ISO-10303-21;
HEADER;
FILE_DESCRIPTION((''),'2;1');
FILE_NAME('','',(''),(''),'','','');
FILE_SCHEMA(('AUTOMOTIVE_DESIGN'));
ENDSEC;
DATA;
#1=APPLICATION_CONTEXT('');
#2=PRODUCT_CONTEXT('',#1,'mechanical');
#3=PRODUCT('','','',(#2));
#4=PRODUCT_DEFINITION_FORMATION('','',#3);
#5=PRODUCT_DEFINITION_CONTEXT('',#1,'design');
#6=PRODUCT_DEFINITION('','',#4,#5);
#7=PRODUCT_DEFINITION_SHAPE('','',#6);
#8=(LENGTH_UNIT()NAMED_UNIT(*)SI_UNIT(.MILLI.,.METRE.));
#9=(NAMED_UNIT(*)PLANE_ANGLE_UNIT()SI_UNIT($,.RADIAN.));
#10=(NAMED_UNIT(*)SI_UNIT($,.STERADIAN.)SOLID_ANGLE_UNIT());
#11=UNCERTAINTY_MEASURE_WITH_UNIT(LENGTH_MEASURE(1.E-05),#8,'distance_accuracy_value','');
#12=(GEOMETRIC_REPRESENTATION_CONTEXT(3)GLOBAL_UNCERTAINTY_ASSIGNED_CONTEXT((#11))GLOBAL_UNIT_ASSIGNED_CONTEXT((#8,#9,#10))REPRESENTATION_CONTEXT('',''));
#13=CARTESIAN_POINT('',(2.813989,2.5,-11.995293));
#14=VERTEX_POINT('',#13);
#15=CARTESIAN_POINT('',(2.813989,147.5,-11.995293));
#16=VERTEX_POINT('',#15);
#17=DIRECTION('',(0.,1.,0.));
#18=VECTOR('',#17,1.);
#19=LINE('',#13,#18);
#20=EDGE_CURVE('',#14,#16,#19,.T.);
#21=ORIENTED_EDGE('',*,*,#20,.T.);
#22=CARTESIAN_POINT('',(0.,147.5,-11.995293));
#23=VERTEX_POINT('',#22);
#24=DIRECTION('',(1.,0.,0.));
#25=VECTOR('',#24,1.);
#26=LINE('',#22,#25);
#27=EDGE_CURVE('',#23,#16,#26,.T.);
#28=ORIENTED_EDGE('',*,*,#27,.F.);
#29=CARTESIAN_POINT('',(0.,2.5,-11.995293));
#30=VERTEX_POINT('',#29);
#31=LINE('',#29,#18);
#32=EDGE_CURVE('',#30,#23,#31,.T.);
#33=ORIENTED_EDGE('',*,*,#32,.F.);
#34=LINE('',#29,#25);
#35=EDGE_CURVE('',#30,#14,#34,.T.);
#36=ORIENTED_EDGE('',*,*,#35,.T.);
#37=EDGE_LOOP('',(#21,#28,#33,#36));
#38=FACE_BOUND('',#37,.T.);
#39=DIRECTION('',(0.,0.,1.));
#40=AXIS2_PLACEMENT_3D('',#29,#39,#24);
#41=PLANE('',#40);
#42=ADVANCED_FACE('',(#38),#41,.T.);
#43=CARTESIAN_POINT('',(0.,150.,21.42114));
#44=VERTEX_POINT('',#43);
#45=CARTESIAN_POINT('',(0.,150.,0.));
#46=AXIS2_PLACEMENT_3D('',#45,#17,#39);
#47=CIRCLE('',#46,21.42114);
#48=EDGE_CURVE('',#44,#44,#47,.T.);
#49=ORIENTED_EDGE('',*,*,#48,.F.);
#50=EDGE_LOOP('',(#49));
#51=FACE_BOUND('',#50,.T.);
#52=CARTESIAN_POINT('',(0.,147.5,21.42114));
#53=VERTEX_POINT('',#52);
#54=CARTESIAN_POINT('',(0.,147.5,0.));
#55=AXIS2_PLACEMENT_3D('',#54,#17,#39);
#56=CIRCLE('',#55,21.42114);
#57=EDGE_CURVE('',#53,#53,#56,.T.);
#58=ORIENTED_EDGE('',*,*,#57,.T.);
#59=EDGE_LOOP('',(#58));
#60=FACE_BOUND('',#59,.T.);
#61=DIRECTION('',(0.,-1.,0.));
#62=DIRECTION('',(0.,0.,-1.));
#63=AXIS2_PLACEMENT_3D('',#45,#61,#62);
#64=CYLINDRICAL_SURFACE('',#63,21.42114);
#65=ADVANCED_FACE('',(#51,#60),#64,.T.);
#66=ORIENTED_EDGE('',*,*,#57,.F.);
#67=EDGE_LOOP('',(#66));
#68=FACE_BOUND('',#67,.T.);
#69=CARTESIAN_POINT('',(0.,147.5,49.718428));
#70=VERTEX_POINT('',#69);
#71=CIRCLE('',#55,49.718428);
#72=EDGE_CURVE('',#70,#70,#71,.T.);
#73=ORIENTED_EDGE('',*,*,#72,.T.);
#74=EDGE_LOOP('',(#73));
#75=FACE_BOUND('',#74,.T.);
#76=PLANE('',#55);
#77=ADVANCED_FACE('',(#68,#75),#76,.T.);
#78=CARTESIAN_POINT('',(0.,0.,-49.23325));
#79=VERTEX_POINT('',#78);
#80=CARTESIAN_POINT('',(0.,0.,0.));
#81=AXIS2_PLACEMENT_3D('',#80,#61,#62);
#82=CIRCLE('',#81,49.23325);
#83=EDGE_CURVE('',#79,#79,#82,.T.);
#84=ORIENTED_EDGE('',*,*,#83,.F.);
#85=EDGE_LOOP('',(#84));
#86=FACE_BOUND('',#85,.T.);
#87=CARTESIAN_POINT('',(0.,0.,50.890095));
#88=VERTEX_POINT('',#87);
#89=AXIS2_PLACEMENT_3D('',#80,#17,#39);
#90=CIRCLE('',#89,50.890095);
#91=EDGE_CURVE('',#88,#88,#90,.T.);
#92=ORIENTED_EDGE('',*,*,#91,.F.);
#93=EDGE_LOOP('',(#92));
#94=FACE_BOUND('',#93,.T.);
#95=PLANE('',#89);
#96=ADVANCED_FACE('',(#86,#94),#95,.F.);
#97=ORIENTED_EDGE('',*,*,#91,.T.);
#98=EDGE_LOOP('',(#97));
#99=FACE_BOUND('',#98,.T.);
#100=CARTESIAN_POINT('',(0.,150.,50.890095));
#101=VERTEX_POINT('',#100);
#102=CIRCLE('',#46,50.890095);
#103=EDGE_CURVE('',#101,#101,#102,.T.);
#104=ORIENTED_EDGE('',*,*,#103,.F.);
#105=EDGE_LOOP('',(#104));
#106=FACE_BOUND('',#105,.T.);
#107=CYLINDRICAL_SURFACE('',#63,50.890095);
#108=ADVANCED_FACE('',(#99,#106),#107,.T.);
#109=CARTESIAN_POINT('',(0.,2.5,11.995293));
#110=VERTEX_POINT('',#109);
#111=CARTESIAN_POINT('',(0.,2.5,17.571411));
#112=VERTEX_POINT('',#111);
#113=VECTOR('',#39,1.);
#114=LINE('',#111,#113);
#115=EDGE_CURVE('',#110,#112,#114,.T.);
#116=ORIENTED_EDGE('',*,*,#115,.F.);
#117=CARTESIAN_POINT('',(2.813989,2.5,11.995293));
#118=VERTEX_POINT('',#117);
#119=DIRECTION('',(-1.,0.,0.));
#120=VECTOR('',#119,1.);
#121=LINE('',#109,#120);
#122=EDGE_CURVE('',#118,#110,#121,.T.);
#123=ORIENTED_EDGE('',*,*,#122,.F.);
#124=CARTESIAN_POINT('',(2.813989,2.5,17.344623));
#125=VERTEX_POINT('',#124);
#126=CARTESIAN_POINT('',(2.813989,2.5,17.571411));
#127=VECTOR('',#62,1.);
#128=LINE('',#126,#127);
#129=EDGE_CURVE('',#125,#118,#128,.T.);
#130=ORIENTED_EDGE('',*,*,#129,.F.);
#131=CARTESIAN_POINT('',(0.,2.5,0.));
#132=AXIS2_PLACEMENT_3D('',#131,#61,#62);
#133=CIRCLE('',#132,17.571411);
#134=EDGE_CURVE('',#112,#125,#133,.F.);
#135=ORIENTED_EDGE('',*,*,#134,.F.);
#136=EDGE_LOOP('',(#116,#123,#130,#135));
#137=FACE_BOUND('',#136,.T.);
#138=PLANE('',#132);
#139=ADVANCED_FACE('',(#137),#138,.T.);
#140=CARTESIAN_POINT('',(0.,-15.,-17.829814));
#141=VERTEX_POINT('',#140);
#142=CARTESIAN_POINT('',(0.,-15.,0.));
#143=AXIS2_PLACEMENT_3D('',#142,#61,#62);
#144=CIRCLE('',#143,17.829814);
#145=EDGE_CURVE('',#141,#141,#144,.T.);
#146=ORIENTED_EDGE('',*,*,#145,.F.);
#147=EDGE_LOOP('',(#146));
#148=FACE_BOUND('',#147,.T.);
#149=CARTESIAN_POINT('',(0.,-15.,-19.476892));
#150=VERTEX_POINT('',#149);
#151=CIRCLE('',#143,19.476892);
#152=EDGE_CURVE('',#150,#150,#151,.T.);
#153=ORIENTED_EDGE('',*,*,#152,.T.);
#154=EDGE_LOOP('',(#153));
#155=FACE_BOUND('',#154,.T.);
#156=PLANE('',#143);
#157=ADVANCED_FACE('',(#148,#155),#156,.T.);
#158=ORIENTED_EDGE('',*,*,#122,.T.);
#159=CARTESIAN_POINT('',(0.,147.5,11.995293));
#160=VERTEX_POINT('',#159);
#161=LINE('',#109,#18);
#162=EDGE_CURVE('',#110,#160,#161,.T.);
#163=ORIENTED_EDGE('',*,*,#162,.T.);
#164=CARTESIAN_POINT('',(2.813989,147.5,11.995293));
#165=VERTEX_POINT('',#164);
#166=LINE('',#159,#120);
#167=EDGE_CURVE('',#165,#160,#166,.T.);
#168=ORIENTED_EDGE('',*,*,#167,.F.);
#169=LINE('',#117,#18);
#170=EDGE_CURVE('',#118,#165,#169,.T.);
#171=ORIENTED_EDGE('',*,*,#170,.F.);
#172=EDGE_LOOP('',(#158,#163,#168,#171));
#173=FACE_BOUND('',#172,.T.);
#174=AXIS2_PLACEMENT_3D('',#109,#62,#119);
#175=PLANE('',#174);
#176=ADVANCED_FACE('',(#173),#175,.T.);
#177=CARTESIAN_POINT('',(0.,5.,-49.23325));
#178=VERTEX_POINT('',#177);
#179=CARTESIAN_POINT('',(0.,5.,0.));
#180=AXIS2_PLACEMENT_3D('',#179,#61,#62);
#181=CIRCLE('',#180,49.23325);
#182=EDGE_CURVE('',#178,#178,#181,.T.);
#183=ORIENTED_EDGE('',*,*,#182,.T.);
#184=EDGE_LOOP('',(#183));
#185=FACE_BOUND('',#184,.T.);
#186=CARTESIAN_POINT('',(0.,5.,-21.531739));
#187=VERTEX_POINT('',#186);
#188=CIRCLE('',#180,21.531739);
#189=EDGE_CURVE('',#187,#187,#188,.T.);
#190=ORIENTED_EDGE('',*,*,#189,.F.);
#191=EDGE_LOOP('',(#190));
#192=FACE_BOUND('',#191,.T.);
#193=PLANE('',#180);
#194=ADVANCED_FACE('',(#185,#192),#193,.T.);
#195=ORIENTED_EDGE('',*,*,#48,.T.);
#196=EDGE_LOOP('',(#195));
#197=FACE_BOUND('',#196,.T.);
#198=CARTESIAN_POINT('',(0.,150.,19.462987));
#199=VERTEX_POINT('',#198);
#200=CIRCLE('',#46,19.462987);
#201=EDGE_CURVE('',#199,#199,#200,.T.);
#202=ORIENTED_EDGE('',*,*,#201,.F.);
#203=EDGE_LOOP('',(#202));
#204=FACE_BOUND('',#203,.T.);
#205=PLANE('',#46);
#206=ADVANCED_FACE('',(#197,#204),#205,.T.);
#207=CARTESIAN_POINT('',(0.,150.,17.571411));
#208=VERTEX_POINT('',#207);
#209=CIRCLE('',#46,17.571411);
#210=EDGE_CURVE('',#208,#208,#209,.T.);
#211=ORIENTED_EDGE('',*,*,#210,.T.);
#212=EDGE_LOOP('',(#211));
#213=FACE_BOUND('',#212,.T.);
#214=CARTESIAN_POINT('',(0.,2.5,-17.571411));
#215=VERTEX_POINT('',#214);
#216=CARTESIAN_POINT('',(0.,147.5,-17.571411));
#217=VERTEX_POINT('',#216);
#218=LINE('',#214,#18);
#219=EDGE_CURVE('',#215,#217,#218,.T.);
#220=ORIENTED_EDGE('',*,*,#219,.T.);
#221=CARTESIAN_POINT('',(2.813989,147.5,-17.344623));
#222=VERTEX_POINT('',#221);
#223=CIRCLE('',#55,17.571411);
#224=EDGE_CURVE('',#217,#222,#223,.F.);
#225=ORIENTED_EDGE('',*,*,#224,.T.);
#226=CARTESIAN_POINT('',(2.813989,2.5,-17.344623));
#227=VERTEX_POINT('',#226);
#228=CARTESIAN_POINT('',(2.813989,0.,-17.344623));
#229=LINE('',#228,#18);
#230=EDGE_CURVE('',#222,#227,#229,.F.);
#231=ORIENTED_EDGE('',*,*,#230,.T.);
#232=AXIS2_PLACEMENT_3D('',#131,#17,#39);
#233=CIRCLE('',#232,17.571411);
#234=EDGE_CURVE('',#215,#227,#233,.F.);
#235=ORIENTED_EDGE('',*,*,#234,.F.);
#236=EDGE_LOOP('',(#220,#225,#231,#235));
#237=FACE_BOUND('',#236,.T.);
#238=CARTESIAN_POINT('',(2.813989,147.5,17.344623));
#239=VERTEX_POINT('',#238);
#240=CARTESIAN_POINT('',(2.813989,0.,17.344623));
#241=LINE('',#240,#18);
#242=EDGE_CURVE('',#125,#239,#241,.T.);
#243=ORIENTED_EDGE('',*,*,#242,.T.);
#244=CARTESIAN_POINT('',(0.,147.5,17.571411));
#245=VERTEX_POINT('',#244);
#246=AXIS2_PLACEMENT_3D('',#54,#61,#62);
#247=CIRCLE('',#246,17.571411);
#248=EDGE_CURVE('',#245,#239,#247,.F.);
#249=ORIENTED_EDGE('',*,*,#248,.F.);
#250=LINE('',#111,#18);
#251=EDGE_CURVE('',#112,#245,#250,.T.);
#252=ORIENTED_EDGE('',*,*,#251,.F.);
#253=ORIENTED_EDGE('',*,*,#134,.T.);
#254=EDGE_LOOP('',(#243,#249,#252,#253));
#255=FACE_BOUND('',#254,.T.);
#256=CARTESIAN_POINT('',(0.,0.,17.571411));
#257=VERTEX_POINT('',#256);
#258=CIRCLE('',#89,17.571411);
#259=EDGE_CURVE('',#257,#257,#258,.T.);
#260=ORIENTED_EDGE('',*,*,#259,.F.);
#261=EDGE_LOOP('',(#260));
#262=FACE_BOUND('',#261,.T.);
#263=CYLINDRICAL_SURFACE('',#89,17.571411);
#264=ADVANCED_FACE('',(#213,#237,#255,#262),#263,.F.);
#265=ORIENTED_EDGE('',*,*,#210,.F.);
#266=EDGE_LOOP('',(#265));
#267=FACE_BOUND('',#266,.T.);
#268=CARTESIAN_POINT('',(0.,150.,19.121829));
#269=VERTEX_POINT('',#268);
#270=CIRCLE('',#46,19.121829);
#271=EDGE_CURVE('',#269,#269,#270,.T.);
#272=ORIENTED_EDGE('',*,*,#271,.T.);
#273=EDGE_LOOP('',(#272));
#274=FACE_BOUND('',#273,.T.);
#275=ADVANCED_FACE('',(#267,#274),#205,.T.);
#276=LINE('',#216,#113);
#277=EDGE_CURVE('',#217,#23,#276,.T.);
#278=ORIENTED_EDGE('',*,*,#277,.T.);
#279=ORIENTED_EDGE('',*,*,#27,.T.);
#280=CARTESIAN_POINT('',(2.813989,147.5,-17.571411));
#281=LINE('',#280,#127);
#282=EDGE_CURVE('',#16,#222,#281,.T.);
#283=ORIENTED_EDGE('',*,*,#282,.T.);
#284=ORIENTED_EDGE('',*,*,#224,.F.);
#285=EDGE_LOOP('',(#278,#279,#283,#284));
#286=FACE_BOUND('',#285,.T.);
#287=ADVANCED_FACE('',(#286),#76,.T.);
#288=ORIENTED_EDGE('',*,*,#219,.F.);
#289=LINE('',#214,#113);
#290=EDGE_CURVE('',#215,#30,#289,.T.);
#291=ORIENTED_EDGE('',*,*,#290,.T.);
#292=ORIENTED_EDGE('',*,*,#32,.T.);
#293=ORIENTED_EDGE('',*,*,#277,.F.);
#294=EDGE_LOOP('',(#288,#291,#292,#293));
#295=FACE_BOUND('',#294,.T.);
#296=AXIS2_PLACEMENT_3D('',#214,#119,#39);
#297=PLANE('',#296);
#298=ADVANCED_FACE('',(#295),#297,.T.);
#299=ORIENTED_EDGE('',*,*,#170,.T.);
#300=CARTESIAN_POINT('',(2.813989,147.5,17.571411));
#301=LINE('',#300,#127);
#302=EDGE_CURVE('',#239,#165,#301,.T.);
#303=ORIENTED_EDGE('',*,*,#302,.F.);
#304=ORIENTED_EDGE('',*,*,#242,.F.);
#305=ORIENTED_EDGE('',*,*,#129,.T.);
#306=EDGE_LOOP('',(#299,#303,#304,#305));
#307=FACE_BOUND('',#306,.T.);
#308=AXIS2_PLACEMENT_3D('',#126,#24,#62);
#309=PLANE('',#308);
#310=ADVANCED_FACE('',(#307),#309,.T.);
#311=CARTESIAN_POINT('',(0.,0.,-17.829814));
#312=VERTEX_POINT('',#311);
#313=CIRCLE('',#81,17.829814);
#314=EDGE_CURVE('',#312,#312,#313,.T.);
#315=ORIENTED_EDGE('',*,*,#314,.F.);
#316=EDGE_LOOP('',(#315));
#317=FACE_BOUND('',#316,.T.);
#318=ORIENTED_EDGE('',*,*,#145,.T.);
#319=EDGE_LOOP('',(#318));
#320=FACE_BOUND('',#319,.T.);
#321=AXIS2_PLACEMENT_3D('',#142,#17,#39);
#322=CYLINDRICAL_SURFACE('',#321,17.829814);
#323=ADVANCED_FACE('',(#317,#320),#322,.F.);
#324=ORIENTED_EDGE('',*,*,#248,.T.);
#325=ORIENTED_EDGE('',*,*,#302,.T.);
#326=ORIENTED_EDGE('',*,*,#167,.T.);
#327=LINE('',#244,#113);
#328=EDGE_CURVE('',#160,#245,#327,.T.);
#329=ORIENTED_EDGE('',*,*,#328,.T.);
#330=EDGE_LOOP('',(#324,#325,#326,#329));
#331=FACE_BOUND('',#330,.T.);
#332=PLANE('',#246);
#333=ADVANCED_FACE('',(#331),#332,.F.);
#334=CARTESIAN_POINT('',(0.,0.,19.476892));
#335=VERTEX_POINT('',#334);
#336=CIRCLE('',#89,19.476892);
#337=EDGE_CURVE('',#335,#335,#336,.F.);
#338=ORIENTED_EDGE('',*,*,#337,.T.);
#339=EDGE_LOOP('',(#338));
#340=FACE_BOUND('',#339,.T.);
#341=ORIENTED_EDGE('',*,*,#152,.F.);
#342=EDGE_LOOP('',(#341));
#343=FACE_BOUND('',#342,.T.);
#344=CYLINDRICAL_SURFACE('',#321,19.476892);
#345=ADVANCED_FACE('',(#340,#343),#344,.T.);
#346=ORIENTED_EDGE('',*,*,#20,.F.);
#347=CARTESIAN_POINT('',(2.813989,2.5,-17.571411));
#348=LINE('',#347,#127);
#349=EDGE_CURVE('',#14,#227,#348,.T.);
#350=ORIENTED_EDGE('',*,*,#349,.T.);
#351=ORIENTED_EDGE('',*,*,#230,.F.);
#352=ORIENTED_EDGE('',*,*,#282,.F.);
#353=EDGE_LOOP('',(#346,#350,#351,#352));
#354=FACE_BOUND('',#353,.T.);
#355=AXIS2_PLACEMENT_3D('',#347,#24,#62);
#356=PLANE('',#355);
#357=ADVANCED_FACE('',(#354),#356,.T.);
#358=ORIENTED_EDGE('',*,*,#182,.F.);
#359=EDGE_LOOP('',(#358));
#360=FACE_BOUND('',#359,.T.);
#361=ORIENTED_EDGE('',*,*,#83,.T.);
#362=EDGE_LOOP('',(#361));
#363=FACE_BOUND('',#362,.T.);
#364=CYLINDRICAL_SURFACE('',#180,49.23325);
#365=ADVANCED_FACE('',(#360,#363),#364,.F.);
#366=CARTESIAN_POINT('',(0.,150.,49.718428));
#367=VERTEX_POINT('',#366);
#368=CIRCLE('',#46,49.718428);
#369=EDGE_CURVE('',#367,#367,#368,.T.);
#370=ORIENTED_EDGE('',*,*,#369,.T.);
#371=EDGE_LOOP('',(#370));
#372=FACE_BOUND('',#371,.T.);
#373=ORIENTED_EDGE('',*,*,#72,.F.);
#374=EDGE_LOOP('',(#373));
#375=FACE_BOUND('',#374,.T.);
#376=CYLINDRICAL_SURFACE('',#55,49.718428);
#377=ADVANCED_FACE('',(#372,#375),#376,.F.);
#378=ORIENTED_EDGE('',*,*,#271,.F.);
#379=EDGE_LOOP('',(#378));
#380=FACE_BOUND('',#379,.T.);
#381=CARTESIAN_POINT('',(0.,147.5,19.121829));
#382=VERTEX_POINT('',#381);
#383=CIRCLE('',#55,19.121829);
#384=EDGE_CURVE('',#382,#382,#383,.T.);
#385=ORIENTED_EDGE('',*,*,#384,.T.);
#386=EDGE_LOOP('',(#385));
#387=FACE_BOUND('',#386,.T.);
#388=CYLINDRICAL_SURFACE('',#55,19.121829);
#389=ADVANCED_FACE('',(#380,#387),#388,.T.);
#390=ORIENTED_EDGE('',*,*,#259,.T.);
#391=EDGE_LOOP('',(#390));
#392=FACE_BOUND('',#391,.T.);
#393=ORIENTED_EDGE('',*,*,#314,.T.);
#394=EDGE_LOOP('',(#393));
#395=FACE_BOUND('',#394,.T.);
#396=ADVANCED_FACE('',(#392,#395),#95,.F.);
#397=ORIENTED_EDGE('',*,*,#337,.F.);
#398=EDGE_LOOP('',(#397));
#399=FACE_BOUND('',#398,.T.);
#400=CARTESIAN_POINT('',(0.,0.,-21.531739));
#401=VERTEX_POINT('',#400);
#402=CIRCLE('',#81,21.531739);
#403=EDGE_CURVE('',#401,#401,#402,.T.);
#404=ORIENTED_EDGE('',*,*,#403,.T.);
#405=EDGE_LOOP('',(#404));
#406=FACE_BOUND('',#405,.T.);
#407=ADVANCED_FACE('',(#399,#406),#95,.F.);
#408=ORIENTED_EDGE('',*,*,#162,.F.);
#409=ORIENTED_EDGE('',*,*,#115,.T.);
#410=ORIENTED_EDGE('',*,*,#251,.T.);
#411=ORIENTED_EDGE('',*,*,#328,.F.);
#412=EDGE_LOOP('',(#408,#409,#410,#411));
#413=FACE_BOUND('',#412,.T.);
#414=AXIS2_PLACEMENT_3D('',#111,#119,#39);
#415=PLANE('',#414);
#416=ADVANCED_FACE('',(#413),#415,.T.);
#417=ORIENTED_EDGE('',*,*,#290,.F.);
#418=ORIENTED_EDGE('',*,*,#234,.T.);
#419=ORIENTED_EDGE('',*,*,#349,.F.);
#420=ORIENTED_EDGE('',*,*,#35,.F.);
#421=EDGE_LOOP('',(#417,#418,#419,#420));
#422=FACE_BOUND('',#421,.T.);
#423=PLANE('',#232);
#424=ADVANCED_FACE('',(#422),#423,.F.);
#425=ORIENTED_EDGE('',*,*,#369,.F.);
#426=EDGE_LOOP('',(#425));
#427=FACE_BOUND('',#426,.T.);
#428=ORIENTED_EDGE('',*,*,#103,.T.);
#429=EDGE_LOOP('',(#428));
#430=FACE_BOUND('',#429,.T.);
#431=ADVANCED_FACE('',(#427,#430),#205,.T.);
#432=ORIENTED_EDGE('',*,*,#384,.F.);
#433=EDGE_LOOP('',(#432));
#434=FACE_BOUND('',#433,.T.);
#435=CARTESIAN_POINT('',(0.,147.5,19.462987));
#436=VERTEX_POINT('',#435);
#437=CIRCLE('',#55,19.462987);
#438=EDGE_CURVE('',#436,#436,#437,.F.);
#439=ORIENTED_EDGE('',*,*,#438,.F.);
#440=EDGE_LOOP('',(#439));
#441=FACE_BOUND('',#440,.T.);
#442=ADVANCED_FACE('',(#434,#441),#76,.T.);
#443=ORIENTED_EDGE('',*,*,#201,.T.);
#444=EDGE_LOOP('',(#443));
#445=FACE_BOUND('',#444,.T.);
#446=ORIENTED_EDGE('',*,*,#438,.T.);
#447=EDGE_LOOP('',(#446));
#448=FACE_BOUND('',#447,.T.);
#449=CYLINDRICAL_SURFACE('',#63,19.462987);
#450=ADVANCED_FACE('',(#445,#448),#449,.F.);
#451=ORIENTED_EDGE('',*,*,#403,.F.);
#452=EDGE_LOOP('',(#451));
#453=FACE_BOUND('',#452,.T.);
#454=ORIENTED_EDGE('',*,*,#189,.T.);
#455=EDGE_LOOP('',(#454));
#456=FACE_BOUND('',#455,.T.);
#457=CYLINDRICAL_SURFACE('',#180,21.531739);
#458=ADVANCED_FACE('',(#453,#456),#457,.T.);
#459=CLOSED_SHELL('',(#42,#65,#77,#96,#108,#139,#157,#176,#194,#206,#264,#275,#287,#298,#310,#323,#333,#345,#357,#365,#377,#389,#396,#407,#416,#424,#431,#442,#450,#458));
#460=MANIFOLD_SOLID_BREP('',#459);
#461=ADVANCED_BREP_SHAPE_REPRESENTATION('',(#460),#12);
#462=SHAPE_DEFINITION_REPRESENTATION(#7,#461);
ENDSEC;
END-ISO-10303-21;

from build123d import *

# Parameters (mm, degrees)
CROQUIS1_R              = 50.89009471
SALIENTE_EXTRUIR1_DEPTH = 150
CROQUIS2_R              = 17.571410618
CORTAR_EXTRUIR1_DEPTH   = 151
CROQUIS3_R              = 49.718427997
CROQUIS3_R_2            = 19.121829202
CORTAR_EXTRUIR2_DEPTH   = 2.5
CROQUIS4_R              = 19.476892412
CROQUIS4_R_2            = 17.829813716
SALIENTE_EXTRUIR3_DEPTH = 15
CROQUIS6_R              = 49.233249933
CROQUIS6_R_2            = 21.531739476
CORTAR_EXTRUIR4_DEPTH   = 5
CROQUIS8_W              = 2.81398907
CROQUIS8_H              = 5.576117682
SALIENTE_EXTRUIR6_DEPTH = 145
CROQUIS9_R              = 21.421140015
CROQUIS9_R_2            = 19.462987184
SALIENTE_EXTRUIR7_DEPTH = 2.5


with BuildPart() as part:
    # Croquis1 → Saliente-Extruir1 (new body)
    with BuildSketch(Plane(origin=(0, 0, 0), x_dir=(1, 0, 0), z_dir=(0, 1, 0))):
        Circle(CROQUIS1_R)
    extrude(amount=SALIENTE_EXTRUIR1_DEPTH)

    # Croquis2 → Cortar-Extruir1 (cut, through all)
    with BuildSketch(Plane(origin=(0, 150, 0), x_dir=(1, 0, 0), z_dir=(0, 1, 0))):
        Circle(CROQUIS2_R)
    extrude(amount=-CORTAR_EXTRUIR1_DEPTH, mode=Mode.SUBTRACT)

    # Croquis3 → Cortar-Extruir2 (cut)
    with BuildSketch(Plane(origin=(0, 150, 0), x_dir=(1, 0, 0), z_dir=(0, 1, 0))):
        Circle(CROQUIS3_R)
        Circle(CROQUIS3_R_2, mode=Mode.SUBTRACT)
    extrude(amount=-CORTAR_EXTRUIR2_DEPTH, mode=Mode.SUBTRACT)

    # Croquis4 → Saliente-Extruir3 (add)
    with BuildSketch(Plane.XZ):
        Circle(CROQUIS4_R)
        Circle(CROQUIS4_R_2, mode=Mode.SUBTRACT)
    extrude(amount=SALIENTE_EXTRUIR3_DEPTH)

    # Croquis6 → Cortar-Extruir4 (cut)
    with BuildSketch(Plane.XZ):
        Circle(CROQUIS6_R)
        Circle(CROQUIS6_R_2, mode=Mode.SUBTRACT)
    extrude(amount=-CORTAR_EXTRUIR4_DEPTH, mode=Mode.SUBTRACT)

    # Croquis8 → Saliente-Extruir6 (add)
    with BuildSketch(Plane(origin=(0, 147.5, 0), x_dir=(1, 0, 0), z_dir=(0, 1, 0))):
        with Locations((1.406994535, 14.783351777)):
            Rectangle(CROQUIS8_W, CROQUIS8_H)
        with Locations((1.406994535, -14.783351777)):
            Rectangle(CROQUIS8_W, CROQUIS8_H)
    extrude(amount=-SALIENTE_EXTRUIR6_DEPTH)

    # Croquis9 → Saliente-Extruir7 (add)
    with BuildSketch(Plane(origin=(0, 147.5, 0), x_dir=(1, 0, 0), z_dir=(0, 1, 0))):
        Circle(CROQUIS9_R)
        Circle(CROQUIS9_R_2, mode=Mode.SUBTRACT)
    extrude(amount=SALIENTE_EXTRUIR7_DEPTH)


solid = part.part
